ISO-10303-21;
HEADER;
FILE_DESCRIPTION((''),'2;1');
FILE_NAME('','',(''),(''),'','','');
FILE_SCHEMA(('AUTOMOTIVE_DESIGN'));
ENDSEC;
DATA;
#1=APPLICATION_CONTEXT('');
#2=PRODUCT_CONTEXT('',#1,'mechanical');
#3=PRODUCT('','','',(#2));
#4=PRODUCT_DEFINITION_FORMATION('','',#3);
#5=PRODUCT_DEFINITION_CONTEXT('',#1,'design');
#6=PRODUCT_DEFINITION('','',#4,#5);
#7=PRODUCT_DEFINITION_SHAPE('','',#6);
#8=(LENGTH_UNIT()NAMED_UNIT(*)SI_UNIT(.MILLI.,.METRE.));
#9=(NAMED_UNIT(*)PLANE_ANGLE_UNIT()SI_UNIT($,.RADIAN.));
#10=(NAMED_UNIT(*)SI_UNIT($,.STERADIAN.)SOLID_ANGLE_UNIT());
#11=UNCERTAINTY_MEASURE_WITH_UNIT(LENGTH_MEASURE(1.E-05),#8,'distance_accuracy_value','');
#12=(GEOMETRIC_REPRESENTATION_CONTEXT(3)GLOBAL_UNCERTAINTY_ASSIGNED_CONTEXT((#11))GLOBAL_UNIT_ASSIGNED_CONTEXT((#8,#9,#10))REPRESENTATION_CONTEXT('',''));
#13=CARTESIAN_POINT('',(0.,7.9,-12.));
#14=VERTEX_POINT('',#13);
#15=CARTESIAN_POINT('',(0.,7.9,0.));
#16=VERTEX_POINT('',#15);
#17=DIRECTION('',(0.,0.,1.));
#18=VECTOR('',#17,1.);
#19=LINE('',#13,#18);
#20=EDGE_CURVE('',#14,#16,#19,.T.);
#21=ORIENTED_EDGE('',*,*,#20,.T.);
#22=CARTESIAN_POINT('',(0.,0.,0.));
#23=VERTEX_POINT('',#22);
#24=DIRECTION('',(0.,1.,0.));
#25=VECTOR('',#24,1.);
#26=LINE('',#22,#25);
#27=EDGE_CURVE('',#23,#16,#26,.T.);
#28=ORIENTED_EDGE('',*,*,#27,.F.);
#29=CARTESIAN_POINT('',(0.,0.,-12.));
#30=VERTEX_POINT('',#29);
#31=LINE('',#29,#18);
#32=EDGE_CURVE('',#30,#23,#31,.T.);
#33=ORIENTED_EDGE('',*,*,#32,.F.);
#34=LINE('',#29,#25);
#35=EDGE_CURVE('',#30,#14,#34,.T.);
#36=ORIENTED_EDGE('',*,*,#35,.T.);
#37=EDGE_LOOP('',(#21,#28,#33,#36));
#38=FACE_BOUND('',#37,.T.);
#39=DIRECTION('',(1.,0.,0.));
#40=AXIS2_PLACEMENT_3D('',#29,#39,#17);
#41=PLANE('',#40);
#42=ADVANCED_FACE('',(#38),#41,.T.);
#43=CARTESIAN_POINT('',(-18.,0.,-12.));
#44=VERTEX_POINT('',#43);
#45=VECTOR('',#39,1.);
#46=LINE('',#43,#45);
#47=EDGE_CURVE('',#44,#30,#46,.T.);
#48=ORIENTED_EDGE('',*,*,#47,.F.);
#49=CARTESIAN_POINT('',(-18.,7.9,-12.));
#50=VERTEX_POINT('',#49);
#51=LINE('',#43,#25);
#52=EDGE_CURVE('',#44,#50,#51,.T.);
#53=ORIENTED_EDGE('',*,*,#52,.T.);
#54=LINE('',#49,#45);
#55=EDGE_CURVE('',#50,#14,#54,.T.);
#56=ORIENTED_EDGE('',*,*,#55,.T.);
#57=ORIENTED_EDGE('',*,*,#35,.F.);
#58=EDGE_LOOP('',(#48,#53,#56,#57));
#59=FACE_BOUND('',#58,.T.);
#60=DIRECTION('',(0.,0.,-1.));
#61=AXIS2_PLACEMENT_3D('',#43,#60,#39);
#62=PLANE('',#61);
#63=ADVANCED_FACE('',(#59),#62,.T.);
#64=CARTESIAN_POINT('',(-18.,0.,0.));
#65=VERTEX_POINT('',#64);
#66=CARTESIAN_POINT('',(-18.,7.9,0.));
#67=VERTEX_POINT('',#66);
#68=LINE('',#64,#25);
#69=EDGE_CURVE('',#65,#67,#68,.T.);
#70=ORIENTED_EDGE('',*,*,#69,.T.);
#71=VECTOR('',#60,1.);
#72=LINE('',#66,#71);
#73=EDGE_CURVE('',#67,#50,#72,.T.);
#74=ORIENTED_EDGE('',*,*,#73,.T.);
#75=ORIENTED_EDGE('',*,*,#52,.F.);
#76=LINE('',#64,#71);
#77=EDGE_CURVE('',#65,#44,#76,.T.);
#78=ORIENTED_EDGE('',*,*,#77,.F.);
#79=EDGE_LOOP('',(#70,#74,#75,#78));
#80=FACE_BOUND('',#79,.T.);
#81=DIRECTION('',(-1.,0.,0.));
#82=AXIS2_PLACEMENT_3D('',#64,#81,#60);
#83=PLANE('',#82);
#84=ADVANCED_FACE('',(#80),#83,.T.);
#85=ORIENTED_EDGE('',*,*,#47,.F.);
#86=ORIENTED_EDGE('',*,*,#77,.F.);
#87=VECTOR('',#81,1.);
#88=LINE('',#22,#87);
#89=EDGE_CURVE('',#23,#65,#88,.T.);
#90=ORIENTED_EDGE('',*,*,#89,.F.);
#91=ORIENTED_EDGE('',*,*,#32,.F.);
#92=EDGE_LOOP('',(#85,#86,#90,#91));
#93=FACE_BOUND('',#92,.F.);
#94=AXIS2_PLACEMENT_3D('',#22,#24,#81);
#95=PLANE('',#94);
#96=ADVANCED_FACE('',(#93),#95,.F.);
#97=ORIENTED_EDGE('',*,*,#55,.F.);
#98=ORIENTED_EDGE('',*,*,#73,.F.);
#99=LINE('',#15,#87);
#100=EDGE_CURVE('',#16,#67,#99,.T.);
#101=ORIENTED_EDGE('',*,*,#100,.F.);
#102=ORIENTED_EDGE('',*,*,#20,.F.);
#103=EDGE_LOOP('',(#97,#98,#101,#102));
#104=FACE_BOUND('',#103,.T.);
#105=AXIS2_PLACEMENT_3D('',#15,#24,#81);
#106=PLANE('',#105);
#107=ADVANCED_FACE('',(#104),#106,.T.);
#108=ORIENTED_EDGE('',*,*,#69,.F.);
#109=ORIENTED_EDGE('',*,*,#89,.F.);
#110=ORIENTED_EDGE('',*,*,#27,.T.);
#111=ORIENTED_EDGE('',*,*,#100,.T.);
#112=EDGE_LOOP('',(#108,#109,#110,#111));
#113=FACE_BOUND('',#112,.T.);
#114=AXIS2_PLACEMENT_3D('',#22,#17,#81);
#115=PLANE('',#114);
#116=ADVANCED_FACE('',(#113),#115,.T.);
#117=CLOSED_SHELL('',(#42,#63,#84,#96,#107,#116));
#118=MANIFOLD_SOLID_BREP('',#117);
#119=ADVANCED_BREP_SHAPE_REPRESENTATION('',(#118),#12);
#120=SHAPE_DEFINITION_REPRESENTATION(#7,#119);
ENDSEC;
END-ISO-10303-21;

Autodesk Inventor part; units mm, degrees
ref_plane "YZ Plane" through (0, 0, 0) normal (1, 0, 0) x (0, 1, 0)
ref_plane "XZ Plane" through (0, 0, 0) normal (0, 1, 0) x (-1, 0, 0)
ref_plane "XY Plane" through (0, 0, 0) normal (0, 0, 1) x (1, 0, 0)
sketch "Sketch1" plane through (0, 0, 0) normal (0, 1, 0) x (-1, 0, 0)
  line L0 (0, 0) -> (18, 0)
  line L1 (18, 0) -> (18, -12)
  line L2 (18, -12) -> (0, -12)
  line L3 (0, -12) -> (0, 0)
  dimension "d0" = 18
  dimension "d1" = 12
extrude "Extrusion1" add sketch "Sketch1" along normal blind 7.9
properties part number "shim_8mm"
